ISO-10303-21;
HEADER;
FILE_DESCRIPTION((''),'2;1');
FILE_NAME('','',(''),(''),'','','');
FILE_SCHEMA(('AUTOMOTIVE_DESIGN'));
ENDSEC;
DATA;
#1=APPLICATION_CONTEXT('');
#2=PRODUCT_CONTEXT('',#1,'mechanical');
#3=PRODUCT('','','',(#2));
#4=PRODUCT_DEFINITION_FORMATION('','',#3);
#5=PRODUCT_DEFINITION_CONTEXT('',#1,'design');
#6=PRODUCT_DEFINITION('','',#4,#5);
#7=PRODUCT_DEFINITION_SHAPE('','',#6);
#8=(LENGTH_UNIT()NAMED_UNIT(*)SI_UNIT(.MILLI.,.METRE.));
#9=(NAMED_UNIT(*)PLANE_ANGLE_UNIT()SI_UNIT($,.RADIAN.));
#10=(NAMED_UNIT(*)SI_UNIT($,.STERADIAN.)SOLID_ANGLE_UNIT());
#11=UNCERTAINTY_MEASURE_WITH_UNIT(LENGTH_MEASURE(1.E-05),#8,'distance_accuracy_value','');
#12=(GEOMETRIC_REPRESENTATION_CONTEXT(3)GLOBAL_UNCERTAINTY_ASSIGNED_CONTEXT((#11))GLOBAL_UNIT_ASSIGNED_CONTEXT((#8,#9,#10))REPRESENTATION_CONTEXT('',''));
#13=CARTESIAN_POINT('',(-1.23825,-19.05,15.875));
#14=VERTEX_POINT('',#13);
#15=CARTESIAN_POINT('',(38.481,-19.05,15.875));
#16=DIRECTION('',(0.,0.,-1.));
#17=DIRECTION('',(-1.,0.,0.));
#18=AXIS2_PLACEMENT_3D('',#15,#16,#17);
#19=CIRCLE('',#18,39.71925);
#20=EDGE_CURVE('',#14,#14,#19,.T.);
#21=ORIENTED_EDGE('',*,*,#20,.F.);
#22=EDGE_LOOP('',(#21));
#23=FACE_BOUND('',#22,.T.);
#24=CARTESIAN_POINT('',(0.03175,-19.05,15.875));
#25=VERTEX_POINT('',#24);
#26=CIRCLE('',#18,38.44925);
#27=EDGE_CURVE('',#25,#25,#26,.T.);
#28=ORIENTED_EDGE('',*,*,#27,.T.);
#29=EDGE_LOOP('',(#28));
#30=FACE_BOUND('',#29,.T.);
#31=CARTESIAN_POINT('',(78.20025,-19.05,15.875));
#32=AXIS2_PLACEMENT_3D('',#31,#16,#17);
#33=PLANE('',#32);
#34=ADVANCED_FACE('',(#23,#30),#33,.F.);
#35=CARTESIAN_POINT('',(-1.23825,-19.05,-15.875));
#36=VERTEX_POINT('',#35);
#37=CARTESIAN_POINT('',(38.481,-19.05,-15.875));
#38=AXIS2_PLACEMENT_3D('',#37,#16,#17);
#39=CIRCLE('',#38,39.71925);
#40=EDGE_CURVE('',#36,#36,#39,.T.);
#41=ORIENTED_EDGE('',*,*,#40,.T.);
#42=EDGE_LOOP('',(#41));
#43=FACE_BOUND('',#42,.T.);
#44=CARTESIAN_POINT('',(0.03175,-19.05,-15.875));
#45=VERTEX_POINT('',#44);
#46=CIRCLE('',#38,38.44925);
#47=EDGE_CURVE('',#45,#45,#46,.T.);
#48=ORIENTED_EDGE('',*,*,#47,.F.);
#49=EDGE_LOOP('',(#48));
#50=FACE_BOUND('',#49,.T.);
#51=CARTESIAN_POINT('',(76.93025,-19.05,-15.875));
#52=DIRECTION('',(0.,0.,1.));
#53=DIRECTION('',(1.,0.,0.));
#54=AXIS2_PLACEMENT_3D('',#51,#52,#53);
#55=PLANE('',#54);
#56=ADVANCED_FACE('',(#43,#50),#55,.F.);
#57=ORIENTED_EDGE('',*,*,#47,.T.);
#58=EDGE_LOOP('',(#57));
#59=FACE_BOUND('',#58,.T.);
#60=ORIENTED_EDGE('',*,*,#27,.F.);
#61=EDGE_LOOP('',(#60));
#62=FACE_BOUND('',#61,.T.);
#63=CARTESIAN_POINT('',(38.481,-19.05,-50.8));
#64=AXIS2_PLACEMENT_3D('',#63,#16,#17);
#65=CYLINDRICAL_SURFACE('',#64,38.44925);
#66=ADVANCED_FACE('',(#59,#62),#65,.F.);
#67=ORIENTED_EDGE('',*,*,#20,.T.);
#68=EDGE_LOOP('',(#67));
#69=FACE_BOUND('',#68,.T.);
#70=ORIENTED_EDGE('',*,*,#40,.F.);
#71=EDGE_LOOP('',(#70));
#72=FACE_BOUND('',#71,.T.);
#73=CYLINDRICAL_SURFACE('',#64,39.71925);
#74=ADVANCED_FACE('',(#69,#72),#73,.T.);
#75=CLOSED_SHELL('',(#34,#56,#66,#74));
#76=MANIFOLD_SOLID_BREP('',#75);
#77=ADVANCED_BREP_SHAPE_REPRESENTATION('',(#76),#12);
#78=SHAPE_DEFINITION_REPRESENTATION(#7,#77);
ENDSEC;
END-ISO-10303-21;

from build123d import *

# Parameters (mm, degrees)
SK_INSERT_SECTION_W = 1.27
SK_INSERT_SECTION_H = 31.75


with BuildPart() as part:
    # Sk_insert_section → Rev_insert (revolve)
    with BuildSketch(Plane(origin=(0, -19.05, 0), x_dir=(1, 0, 0), z_dir=(0, 1, 0)), mode=Mode.PRIVATE) as rev_insert_sk:
        with Locations((77.56525, 0)):
            Rectangle(SK_INSERT_SECTION_W, SK_INSERT_SECTION_H)
    revolve(rev_insert_sk.sketch.rotate(Axis((38.481, -19.05, -50.8), (0, 0, 1)), 180), axis=Axis((38.481, -19.05, -50.8), (0, 0, 1)))


solid = part.part
